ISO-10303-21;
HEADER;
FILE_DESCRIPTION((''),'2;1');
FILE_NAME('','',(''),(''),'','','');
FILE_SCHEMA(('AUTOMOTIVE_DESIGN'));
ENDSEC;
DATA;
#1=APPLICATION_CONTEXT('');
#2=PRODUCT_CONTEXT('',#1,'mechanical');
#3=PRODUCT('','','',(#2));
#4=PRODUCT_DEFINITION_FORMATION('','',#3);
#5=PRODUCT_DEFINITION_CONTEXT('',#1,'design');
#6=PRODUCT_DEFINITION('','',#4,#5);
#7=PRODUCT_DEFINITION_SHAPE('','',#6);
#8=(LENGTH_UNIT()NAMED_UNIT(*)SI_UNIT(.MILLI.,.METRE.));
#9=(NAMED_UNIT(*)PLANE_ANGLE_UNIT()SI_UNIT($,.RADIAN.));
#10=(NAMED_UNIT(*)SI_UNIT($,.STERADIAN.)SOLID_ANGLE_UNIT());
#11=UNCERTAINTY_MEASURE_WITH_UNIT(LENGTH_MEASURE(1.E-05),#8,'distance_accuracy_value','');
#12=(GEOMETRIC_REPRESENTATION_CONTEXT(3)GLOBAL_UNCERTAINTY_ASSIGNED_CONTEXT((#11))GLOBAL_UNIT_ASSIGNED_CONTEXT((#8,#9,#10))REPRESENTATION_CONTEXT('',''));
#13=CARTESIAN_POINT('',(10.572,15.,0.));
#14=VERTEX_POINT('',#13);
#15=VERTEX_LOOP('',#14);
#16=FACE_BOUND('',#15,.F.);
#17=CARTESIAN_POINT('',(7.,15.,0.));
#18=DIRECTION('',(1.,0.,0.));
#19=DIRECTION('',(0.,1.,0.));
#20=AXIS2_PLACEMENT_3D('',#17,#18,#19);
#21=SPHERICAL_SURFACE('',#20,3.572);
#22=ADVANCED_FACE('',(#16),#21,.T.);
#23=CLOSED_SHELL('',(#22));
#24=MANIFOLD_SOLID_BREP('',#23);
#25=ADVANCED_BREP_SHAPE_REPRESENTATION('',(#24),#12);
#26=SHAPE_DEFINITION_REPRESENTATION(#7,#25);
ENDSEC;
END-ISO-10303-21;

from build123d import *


with BuildPart() as part:
    # Croquis1 → Revolución1 (revolve)
    with BuildSketch(Plane.XY):
        with BuildLine():
            Line((10.572, 15), (3.428, 15))
            ThreePointArc((3.428, 15), (7, 18.572), (10.572, 15))
        make_face()
    revolve(axis=Axis((50, 15, 0), (-1, 0, 0)))


solid = part.part
